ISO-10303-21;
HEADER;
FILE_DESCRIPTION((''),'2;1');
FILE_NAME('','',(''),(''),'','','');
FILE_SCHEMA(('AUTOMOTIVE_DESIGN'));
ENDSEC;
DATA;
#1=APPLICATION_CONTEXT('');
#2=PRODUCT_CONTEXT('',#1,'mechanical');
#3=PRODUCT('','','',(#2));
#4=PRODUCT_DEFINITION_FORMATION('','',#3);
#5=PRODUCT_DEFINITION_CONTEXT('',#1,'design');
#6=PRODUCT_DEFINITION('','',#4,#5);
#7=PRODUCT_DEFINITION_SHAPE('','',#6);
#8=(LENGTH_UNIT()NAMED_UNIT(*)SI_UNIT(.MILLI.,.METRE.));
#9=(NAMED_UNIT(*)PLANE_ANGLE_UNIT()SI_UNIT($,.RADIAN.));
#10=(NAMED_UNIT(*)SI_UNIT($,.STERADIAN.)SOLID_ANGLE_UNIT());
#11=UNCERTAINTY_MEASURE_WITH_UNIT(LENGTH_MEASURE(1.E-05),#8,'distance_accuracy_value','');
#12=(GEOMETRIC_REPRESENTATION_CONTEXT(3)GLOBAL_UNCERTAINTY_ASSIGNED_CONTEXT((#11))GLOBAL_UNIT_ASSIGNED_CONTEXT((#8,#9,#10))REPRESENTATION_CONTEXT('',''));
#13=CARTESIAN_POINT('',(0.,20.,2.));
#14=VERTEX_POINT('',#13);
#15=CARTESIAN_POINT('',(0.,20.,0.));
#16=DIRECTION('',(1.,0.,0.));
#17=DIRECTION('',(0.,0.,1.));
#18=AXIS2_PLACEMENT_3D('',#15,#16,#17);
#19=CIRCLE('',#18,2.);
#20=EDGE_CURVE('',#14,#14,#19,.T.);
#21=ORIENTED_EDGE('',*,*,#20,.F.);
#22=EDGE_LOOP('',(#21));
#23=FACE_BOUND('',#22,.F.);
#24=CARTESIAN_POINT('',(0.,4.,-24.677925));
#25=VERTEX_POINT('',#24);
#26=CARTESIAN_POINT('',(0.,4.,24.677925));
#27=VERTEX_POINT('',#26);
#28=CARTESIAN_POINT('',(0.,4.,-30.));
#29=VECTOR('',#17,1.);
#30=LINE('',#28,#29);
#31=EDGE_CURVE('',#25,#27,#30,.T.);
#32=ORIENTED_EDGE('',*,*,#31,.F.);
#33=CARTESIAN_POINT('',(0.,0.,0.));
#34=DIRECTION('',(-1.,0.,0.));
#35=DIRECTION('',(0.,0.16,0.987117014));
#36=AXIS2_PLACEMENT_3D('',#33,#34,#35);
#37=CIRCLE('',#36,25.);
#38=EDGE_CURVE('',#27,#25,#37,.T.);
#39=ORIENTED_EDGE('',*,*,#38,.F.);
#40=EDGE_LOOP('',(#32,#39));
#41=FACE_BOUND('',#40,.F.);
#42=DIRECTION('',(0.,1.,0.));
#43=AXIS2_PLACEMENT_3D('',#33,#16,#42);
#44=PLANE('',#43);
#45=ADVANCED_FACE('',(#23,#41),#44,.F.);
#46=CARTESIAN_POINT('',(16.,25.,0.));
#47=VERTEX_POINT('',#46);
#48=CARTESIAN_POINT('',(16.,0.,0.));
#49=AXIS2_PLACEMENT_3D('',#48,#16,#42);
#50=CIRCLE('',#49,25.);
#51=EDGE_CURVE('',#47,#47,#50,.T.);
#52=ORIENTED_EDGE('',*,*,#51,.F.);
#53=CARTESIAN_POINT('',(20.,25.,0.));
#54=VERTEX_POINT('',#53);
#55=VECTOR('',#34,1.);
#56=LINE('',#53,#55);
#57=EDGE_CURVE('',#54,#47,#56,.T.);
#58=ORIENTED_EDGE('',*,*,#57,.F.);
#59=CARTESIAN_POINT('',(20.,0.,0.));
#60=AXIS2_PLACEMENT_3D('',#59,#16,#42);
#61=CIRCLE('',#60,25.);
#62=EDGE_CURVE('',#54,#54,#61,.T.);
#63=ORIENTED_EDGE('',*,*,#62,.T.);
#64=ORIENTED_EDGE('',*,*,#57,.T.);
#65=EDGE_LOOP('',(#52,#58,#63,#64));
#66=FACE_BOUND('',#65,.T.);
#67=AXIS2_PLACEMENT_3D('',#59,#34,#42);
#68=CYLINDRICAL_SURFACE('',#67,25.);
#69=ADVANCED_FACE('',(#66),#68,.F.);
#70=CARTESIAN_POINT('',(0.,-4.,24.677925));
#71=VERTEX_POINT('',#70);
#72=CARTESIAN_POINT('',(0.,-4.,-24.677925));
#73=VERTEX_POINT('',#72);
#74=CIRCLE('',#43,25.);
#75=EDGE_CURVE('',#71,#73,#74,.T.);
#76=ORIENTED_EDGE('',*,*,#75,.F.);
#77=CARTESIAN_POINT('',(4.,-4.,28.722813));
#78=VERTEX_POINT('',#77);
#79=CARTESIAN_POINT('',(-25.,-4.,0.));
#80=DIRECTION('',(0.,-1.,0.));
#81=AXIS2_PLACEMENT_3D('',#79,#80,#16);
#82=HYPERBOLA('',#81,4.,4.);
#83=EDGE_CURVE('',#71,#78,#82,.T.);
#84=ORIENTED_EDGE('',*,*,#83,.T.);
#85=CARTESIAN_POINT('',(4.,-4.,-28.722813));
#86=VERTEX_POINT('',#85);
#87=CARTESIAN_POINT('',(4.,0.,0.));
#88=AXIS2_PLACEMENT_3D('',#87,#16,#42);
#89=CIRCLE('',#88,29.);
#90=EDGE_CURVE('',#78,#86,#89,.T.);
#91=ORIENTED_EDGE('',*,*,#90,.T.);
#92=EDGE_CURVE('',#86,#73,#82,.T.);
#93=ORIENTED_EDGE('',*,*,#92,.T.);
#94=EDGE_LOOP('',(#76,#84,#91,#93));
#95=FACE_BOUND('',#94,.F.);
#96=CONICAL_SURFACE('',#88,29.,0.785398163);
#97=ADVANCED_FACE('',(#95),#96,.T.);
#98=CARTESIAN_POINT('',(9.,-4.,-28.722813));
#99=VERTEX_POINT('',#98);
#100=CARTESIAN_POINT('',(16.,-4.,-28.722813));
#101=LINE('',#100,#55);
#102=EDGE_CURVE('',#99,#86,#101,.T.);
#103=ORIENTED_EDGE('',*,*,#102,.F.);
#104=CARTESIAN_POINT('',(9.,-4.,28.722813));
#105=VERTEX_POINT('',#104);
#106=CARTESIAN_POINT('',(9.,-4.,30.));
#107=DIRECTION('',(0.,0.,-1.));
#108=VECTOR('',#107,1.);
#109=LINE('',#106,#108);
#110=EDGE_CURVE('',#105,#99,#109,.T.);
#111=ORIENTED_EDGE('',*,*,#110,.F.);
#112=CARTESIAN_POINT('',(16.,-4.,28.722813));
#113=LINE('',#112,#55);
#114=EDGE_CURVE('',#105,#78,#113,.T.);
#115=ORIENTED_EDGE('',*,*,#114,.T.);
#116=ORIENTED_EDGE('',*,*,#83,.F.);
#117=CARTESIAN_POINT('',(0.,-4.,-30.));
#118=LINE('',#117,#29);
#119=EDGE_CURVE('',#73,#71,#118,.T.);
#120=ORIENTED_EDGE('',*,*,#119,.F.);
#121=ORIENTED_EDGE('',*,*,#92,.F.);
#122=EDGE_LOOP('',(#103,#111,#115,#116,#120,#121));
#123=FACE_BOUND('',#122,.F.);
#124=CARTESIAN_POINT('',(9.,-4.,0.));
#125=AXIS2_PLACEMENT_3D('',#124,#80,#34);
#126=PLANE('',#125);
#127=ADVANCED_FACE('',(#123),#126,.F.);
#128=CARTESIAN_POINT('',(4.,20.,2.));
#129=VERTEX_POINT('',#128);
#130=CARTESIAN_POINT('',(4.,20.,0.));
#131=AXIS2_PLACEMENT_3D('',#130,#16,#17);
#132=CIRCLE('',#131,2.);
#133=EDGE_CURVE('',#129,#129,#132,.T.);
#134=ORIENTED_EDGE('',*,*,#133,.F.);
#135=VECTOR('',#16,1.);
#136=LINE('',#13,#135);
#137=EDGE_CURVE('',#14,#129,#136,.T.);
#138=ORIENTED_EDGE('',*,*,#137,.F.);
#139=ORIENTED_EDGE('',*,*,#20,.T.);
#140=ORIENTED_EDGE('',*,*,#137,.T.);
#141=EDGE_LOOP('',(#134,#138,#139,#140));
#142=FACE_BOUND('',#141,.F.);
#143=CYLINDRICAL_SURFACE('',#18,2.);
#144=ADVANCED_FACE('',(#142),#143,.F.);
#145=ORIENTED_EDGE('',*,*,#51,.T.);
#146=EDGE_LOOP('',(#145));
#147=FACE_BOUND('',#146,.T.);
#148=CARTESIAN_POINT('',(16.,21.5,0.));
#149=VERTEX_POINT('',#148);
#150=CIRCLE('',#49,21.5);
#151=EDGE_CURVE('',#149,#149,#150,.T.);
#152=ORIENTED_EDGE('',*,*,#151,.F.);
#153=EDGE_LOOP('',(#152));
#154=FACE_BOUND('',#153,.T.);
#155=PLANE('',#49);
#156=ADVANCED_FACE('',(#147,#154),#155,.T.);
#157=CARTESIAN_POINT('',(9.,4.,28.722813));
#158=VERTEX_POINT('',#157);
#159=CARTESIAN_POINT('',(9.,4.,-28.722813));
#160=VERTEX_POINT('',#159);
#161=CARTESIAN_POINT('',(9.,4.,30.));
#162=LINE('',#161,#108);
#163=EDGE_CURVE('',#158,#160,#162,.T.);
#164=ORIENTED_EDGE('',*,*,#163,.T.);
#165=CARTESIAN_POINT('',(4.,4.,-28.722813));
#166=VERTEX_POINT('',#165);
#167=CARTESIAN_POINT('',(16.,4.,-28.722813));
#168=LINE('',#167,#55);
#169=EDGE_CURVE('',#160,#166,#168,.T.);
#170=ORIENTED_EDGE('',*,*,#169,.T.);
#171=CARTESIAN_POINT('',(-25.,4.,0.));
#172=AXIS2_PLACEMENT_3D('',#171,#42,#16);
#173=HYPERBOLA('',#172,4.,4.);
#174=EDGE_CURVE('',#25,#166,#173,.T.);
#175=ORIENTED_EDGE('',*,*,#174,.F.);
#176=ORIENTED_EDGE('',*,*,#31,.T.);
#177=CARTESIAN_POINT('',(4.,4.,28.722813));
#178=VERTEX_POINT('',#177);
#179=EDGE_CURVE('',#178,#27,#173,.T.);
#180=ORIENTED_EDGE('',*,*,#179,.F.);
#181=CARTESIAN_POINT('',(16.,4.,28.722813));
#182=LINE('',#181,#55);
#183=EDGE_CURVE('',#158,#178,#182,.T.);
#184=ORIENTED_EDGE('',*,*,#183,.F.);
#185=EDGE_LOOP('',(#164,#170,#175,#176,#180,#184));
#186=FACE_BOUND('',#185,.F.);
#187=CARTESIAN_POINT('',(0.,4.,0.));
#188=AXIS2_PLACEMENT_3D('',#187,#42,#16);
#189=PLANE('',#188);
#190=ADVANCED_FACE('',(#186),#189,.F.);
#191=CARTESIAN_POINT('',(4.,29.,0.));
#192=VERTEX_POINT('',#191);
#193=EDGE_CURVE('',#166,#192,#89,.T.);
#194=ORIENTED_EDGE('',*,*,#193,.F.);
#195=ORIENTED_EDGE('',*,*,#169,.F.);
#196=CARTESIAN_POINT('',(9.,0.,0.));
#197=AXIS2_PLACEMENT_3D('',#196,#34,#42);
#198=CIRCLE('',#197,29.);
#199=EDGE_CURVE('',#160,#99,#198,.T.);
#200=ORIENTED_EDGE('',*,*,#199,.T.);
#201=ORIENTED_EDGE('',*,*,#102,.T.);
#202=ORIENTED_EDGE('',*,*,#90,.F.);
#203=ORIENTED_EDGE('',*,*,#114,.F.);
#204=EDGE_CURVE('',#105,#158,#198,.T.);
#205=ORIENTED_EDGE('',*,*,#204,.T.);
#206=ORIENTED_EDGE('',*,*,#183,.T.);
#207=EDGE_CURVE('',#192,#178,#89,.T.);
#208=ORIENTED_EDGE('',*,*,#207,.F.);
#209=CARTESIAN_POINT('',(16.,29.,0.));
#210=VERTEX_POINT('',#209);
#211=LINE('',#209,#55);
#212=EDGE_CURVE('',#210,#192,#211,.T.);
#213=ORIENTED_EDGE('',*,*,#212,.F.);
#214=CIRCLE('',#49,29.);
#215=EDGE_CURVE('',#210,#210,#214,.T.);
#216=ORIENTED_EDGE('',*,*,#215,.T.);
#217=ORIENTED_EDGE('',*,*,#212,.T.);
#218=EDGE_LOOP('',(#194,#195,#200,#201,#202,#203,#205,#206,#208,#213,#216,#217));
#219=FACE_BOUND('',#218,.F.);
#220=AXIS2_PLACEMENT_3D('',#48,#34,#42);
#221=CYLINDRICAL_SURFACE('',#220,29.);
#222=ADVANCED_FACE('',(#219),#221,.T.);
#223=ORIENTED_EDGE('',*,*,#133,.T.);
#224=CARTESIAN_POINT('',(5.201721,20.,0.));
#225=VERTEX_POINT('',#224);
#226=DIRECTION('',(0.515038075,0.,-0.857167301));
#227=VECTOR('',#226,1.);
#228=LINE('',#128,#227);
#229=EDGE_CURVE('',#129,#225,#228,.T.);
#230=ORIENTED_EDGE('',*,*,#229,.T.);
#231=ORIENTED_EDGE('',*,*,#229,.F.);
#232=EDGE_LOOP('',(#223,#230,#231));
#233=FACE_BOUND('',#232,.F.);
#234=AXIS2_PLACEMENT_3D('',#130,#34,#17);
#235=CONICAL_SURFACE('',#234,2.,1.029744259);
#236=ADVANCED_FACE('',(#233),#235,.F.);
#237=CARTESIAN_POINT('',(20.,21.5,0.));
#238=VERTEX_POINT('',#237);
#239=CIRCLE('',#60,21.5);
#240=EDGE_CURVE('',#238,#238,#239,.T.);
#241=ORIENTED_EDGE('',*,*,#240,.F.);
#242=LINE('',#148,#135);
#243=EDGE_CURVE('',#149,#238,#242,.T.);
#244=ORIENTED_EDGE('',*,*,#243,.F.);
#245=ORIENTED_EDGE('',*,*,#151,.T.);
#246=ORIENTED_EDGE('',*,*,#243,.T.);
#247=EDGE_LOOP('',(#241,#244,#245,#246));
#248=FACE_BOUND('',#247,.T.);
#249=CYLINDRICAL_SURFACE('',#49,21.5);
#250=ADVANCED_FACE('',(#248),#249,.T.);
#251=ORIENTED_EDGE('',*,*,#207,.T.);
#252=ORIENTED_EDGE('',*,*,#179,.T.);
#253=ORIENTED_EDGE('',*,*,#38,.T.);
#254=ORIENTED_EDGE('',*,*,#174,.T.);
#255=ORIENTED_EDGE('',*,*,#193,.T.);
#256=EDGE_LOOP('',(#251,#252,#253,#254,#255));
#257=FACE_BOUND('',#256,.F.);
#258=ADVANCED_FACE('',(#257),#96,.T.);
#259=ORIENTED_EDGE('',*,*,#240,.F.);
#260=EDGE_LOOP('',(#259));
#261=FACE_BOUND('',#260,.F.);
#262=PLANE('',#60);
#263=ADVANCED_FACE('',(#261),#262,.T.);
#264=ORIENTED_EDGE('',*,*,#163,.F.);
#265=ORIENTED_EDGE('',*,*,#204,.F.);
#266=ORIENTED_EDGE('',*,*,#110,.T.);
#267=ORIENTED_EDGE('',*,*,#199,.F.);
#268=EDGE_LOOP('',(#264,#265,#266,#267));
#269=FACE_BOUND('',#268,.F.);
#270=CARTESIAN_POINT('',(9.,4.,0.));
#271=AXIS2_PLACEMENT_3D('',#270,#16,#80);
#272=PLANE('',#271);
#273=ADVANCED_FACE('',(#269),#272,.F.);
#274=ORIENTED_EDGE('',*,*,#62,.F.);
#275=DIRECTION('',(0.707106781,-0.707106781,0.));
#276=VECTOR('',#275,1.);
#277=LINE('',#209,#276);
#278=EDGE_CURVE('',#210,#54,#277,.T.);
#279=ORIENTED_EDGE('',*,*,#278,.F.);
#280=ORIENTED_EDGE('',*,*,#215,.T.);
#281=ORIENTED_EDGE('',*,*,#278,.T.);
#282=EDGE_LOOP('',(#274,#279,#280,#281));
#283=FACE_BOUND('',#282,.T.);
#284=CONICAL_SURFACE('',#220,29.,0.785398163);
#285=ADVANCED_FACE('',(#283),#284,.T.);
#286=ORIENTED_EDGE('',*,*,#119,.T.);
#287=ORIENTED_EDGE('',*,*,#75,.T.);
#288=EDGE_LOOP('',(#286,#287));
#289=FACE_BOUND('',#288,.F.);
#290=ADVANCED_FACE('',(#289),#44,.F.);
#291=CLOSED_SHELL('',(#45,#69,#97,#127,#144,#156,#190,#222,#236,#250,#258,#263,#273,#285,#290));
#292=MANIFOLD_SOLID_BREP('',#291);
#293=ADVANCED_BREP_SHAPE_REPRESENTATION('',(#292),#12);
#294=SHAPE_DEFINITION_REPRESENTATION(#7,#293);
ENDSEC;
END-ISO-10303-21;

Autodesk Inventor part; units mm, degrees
ref_plane "YZ Plane" through (0, 0, 0) normal (1, 0, 0) x (0, 1, 0)
ref_plane "XZ Plane" through (0, 0, 0) normal (0, 1, 0) x (-1, 0, 0)
ref_plane "XY Plane" through (0, 0, 0) normal (0, 0, 1) x (1, 0, 0)
sketch "Эскиз5" plane through (0, 0, 0) normal (0, 0, 1) x (1, 0, 0)
  line L0 (0, 0) -> (20, 0)
  line L1 (20, 0) -> (20, 25)
  line L2 (16, 29) -> (4, 29)
  line L3 (0, 25) -> (0, 0)
  line L4 (4, 29) -> (0, 25)
  line L5 (16, 29) -> (20, 25)
  point P0 (20, 29)
  point P1 (0, 29)
  dimension "d23" = 20
  dimension "d24" = 29
  dimension "d25" = 4
  dimension "d26" = 4
  dimension "d27" = 4
  dimension "d28" = 4
revolve "Вращение3" add sketch "Эскиз5" angle 360 about axis through (0, 0, 0) along (1, 0, 0)
sketch "Эскиз6" plane through (0, 0, 0) normal (0, 0, 1) x (1, 0, 0)
  line L0 (0, -25) -> (0, 25) construction
  line L1 (0, 4) -> (9, 4)
  line L2 (9, 4) -> (9, -4)
  line L3 (9, -4) -> (0, -4)
  line L4 (0, -4) -> (0, 4)
  point P0 (0, 0)
  point P1 (0, 0)
  point P2 (0, 0)
  dimension "d30" = 9
  dimension "d31" = 8
extrude "Выдавливание2" cut sketch "Эскиз6" along normal through all both and the other way through all
sketch "Эскиз7" plane through (0, 0, 0) normal (-1, 0, 0) x (0, 0, 1)
  line L0 (0, 0) -> (0, 20) construction
  dimension "d34" = 20
hole "Отверстие2" at (0, 20, 0) direction (1, 0, 0) diameter 4 depth 4 tip angle 118
sketch "Эскиз8" plane through (0, 0, 0) normal (0, 0, 1) x (1, 0, 0)
  line L0 (20, -25) -> (20, 25) construction
  line L1 (20, 25) -> (16, 25)
  line L2 (16, 25) -> (16, 21.5)
  line L3 (16, 21.5) -> (20, 21.5)
  line L4 (20, 21.5) -> (20, 25)
  line L5 (0, 0) -> (20, 0)
  dimension "d42" = 4
  dimension "d43" = 3.5
revolve "Вращение4" cut sketch "Эскиз8" angle 360 about axis through (0, 0, 0) along (1, 0, 0)
equation "\"d26\" = d25"
equation "\"d27\" = d25"
equation "\"d28\" = d27"
properties part number "711118"
